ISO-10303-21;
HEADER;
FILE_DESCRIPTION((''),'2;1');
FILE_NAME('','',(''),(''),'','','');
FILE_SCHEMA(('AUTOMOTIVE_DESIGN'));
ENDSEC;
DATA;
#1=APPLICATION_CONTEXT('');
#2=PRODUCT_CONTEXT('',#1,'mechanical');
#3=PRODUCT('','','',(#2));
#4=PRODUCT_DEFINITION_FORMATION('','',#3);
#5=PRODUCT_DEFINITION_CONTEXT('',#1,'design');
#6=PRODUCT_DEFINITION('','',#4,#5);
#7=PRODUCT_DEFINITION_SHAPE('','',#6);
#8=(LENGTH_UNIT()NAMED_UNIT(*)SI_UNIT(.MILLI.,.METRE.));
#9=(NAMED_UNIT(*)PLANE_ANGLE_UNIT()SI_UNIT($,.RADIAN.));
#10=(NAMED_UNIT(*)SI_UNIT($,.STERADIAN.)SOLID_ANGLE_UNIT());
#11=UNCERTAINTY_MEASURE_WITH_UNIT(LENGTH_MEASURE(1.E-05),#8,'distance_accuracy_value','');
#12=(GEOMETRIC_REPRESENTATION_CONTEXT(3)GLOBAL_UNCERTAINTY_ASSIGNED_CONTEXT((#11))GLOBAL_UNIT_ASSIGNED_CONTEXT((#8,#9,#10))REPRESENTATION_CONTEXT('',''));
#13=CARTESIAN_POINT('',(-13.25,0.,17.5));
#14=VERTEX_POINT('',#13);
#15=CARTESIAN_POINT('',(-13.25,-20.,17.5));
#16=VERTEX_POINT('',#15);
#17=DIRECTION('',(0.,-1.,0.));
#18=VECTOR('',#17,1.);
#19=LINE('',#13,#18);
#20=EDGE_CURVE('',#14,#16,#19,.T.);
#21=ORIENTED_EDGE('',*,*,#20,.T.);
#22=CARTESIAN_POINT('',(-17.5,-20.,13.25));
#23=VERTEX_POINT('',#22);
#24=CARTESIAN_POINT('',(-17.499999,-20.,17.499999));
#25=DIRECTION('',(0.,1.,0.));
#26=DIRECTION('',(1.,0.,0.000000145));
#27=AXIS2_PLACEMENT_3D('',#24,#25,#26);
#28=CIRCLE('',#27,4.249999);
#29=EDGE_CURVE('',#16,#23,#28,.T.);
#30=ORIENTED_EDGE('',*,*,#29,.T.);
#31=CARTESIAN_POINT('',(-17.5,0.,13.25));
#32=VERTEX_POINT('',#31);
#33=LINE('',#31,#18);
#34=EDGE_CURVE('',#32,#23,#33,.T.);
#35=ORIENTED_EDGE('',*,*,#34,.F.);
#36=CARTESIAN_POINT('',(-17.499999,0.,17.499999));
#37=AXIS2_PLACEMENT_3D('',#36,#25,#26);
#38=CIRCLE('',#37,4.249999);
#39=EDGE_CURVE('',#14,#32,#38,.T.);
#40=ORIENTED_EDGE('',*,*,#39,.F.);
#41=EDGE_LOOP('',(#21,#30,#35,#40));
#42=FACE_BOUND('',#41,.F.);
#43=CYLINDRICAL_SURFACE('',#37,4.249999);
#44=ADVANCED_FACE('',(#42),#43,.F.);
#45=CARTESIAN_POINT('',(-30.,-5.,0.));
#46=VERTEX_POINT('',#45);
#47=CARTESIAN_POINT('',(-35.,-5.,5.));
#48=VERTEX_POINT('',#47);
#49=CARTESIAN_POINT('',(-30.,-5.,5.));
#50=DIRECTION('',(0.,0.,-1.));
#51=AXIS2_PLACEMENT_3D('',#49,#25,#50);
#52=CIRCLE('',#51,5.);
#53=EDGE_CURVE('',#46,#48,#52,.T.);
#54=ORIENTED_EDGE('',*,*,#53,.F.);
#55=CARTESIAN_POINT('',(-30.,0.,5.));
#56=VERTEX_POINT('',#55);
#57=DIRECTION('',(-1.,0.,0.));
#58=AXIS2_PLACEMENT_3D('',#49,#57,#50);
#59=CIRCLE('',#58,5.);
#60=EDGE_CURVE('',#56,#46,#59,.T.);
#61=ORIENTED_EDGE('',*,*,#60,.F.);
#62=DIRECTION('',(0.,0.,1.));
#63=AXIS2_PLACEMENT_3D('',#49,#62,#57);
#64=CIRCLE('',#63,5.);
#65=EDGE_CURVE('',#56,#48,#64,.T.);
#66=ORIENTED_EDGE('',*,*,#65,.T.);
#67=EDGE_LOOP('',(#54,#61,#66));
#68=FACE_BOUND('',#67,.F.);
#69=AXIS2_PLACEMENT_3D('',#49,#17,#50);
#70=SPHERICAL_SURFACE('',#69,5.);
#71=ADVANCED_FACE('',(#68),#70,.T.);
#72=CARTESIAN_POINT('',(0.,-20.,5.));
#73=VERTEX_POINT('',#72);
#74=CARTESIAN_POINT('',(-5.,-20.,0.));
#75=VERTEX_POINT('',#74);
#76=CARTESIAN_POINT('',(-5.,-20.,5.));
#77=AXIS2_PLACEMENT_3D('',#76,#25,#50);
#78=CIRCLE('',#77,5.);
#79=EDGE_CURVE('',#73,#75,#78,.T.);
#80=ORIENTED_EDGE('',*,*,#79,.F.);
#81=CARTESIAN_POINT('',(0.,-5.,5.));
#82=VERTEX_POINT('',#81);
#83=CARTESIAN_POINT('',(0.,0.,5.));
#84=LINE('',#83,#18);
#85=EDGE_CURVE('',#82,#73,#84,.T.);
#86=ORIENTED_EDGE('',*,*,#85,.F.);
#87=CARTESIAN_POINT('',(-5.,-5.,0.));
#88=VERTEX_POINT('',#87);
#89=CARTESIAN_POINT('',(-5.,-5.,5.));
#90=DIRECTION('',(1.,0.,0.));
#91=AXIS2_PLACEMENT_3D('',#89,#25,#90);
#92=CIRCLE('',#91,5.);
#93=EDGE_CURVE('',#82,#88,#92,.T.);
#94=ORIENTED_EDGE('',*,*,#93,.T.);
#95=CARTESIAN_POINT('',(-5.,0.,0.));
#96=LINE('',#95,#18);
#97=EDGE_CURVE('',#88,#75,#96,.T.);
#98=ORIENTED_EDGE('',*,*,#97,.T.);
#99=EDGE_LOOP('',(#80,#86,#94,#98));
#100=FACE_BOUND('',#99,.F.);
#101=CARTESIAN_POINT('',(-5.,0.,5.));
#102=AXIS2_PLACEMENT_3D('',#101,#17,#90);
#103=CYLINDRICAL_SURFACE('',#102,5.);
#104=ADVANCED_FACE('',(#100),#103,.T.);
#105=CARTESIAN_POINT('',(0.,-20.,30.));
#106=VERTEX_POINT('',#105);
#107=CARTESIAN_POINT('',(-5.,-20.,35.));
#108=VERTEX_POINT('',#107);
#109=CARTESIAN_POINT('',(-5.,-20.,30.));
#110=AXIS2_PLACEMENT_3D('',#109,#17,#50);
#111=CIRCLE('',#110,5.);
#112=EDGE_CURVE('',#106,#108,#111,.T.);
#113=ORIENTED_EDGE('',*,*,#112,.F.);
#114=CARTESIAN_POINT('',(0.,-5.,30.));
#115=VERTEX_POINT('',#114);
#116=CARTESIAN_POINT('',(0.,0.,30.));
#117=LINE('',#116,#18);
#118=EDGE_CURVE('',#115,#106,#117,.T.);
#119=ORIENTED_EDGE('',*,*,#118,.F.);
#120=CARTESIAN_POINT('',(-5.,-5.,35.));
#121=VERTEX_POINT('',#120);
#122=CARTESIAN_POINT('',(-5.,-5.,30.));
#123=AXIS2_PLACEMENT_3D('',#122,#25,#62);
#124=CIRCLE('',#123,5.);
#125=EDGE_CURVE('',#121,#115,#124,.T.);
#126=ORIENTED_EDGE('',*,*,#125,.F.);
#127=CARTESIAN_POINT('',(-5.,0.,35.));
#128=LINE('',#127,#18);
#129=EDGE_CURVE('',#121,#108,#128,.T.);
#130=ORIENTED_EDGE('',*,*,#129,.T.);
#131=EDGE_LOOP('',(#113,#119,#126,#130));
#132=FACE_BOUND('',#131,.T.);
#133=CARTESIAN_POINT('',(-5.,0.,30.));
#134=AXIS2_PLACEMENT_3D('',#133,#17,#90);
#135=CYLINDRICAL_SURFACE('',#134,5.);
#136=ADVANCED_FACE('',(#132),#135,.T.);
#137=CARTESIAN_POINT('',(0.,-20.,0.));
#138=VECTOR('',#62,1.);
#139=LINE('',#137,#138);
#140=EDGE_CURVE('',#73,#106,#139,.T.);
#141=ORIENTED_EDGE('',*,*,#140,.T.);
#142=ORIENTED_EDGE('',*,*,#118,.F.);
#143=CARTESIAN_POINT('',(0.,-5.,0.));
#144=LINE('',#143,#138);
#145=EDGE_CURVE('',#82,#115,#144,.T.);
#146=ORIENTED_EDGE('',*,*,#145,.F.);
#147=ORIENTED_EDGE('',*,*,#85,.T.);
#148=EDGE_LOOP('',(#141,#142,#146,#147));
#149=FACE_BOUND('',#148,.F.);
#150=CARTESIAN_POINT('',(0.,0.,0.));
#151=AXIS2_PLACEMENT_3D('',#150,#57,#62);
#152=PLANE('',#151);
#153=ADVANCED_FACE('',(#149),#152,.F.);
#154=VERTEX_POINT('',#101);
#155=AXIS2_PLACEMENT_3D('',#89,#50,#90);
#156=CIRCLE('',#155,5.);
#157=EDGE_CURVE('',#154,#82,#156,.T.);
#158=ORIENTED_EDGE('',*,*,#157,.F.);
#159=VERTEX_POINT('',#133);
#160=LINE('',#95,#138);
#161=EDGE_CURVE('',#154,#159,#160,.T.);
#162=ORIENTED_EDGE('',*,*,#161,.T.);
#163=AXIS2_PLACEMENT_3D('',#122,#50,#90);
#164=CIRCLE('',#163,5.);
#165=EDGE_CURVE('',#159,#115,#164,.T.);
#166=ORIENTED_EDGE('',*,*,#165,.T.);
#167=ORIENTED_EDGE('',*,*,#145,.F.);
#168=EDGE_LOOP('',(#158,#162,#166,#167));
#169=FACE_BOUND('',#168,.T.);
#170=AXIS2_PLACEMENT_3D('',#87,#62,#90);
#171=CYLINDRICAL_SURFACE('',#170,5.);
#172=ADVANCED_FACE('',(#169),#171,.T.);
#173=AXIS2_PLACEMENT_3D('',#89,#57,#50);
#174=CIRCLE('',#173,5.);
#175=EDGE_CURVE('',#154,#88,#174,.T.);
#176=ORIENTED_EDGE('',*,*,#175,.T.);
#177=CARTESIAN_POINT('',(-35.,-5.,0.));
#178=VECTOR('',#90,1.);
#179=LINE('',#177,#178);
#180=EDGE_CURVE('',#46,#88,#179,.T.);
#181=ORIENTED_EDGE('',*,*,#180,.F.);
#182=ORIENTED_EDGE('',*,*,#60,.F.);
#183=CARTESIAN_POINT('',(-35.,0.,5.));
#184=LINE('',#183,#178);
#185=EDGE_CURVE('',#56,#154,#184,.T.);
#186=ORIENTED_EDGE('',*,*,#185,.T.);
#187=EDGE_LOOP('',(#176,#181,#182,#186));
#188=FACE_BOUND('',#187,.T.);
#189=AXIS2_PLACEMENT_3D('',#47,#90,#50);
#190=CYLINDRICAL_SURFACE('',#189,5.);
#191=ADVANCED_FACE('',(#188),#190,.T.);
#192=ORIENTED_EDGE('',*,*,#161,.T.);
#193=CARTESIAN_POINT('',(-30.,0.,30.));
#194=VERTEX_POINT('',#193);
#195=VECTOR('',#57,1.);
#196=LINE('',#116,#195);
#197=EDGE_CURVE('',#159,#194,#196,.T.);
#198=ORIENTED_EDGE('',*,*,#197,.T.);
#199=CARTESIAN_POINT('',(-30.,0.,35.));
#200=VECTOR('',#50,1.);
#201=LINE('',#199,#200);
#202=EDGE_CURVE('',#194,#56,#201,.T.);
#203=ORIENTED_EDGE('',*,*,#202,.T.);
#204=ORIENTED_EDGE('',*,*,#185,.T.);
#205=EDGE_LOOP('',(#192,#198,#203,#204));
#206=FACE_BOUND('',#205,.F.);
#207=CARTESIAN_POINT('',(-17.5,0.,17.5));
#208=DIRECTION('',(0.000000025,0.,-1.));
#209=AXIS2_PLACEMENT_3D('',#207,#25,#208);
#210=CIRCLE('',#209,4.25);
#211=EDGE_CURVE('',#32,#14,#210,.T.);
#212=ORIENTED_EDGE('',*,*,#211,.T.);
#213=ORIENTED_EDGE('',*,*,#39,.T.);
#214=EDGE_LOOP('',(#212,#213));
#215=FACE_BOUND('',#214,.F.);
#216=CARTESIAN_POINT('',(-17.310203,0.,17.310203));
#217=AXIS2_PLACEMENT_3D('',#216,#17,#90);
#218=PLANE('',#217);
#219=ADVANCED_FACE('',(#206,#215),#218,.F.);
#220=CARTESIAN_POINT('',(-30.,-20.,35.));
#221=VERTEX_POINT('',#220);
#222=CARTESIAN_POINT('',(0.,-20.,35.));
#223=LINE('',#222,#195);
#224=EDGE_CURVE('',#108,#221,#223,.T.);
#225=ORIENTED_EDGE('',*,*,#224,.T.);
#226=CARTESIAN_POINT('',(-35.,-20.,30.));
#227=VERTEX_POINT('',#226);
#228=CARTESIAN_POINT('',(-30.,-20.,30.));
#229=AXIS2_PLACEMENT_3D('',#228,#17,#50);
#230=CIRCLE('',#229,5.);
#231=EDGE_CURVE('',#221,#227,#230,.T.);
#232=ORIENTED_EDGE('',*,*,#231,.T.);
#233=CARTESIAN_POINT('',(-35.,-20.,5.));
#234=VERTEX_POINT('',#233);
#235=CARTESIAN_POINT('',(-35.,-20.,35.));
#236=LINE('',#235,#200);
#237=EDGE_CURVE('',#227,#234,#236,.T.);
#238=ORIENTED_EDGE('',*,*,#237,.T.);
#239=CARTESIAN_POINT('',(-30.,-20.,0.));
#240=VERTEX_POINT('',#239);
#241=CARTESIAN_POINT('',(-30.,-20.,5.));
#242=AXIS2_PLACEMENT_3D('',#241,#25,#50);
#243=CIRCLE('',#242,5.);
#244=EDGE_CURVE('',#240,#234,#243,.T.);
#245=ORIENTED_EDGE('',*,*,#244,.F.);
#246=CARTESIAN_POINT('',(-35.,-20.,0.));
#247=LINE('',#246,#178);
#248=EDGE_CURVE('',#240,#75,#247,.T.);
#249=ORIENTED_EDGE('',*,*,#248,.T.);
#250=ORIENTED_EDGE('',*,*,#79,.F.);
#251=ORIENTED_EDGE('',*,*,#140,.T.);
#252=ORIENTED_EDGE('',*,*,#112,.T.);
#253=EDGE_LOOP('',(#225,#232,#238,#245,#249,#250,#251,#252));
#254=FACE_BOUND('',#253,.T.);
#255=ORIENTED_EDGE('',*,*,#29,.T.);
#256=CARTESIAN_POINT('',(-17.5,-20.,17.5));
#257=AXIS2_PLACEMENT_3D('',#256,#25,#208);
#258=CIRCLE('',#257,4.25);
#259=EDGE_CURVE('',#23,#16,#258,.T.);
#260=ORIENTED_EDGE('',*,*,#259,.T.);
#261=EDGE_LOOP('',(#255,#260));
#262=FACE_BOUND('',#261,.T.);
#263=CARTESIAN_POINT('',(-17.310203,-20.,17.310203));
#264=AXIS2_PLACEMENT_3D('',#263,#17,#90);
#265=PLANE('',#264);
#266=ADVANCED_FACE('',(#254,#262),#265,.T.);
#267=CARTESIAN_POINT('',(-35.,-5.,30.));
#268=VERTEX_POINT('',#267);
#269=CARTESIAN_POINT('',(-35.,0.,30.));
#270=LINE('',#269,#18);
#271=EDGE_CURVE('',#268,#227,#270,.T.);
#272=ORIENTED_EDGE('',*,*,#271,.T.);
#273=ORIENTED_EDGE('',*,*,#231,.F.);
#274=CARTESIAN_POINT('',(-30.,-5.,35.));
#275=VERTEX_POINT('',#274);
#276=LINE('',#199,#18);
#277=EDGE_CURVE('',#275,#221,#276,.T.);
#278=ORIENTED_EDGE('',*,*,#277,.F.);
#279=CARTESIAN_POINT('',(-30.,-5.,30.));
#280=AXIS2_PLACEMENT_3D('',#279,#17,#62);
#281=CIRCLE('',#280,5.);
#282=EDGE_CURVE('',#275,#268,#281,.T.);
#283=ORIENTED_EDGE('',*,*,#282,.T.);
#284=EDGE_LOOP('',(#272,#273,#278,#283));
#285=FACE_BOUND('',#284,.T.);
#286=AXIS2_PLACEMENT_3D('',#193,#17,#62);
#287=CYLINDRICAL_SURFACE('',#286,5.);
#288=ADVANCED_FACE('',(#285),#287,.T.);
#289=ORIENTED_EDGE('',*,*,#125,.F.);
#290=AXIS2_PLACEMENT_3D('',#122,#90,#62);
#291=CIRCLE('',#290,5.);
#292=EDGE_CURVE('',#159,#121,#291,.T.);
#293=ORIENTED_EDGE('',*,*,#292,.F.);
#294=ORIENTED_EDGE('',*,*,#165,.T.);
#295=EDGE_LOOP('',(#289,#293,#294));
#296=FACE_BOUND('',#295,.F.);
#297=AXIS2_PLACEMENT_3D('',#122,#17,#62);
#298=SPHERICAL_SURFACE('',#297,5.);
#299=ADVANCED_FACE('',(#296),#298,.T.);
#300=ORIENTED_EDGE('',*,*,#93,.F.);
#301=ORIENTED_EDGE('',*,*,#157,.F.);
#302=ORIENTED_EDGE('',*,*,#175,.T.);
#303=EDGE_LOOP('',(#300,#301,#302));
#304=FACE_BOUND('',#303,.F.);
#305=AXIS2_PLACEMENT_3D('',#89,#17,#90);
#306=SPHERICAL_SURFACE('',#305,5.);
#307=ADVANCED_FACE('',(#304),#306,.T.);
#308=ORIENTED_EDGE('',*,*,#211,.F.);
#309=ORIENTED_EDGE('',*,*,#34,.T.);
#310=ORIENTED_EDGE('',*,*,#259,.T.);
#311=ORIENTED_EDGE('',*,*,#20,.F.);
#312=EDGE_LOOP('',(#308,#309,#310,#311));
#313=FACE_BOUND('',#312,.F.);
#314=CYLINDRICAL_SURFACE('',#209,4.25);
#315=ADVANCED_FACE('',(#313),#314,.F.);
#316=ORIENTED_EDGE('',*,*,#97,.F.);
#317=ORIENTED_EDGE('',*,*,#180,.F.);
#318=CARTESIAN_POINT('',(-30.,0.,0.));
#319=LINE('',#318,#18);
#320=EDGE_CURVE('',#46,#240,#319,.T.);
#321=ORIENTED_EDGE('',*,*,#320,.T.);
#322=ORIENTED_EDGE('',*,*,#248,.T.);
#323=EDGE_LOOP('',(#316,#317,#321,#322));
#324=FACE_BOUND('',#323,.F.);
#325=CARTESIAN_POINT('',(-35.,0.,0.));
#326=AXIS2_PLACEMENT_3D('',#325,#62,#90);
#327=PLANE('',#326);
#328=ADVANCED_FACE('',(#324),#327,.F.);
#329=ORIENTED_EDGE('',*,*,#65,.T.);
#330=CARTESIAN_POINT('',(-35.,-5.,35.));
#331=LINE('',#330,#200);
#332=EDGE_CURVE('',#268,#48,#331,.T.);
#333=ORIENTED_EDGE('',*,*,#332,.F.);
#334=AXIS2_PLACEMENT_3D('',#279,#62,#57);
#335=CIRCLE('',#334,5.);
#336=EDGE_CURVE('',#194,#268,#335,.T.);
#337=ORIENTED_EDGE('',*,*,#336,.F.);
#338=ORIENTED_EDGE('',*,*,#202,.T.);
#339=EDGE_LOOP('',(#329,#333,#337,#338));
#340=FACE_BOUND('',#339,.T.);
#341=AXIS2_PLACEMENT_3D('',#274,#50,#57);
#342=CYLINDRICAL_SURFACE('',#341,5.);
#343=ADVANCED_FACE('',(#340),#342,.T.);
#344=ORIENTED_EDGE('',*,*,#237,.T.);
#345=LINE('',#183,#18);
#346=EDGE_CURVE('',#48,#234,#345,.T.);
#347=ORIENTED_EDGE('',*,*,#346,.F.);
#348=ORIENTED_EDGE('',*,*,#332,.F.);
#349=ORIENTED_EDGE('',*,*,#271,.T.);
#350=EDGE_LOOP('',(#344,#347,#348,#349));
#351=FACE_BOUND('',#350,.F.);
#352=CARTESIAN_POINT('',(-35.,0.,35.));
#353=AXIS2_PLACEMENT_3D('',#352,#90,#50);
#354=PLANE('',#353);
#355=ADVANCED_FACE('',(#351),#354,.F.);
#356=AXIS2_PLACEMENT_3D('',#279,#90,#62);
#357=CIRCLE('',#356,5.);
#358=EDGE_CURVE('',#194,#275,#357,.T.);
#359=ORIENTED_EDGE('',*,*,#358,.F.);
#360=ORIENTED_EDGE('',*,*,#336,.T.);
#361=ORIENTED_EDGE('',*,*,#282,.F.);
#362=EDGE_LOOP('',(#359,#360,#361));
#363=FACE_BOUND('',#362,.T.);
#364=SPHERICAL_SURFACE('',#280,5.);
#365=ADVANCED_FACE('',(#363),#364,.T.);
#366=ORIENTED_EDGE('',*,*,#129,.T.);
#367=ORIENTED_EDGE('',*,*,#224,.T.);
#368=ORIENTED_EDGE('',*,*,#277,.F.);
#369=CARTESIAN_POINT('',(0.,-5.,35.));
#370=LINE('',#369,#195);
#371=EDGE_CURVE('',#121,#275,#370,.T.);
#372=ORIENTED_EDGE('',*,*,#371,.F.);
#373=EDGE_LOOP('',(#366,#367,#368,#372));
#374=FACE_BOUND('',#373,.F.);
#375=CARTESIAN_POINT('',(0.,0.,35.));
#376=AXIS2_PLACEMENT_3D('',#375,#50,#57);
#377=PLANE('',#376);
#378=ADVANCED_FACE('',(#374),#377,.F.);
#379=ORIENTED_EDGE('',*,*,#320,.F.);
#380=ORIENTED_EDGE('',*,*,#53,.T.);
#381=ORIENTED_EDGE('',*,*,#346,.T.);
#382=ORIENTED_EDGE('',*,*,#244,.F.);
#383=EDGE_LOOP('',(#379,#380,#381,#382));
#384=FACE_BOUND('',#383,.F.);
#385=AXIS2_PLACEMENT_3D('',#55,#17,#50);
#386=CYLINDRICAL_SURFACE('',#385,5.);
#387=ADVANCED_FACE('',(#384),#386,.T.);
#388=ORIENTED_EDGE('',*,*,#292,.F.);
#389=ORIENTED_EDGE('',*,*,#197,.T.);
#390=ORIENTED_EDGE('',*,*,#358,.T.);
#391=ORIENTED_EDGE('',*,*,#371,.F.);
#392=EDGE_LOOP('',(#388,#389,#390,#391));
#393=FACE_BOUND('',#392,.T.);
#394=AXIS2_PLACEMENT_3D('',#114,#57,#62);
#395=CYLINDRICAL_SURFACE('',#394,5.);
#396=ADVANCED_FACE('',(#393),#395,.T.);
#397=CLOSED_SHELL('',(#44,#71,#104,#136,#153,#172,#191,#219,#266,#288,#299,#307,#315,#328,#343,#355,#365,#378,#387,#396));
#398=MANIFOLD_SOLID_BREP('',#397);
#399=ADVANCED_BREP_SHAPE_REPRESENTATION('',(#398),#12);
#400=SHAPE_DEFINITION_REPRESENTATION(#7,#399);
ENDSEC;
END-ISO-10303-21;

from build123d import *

# Parameters (mm, degrees)
F1_DEPTH = 20
F2_R     = 5


with BuildPart() as f1:
    # F0 (on Front) → F1 (new body)
    with BuildSketch(Plane.XZ):
        with BuildLine():
            ThreePointArc((-13.25, 17.5), (-20.505204, 20.505204), (-17.5, 13.25))
            ThreePointArc((-17.5, 13.25), (-14.494796, 14.494796), (-13.25, 17.5))
        make_face()
        Polygon((-17.5, 0), (0, 0), (0, 35), (-35, 35), (-35, 0), align=None)
        with BuildLine():
            ThreePointArc((-13.25, 17.5), (-14.494796, 14.494796), (-17.5, 13.25))
            ThreePointArc((-17.5, 13.25), (-20.505204, 20.505204), (-13.25, 17.5))
        make_face(mode=Mode.SUBTRACT)
    extrude(amount=F1_DEPTH)

    # F2
    f2_edges = [f1.edges().sort_by_distance(p)[0] for p in [
        (-35, -10, 35),
        (-35, -10, 0),
        (0, -10, 35),
        (0, -10, 0),
        (-17.5, 0, 35),
        (0, 0, 17.5),
        (-17.5, 0, 0),
        (-35, 0, 17.5),
    ]]
    fillet(f2_edges, radius=F2_R)


solid = f1.part
